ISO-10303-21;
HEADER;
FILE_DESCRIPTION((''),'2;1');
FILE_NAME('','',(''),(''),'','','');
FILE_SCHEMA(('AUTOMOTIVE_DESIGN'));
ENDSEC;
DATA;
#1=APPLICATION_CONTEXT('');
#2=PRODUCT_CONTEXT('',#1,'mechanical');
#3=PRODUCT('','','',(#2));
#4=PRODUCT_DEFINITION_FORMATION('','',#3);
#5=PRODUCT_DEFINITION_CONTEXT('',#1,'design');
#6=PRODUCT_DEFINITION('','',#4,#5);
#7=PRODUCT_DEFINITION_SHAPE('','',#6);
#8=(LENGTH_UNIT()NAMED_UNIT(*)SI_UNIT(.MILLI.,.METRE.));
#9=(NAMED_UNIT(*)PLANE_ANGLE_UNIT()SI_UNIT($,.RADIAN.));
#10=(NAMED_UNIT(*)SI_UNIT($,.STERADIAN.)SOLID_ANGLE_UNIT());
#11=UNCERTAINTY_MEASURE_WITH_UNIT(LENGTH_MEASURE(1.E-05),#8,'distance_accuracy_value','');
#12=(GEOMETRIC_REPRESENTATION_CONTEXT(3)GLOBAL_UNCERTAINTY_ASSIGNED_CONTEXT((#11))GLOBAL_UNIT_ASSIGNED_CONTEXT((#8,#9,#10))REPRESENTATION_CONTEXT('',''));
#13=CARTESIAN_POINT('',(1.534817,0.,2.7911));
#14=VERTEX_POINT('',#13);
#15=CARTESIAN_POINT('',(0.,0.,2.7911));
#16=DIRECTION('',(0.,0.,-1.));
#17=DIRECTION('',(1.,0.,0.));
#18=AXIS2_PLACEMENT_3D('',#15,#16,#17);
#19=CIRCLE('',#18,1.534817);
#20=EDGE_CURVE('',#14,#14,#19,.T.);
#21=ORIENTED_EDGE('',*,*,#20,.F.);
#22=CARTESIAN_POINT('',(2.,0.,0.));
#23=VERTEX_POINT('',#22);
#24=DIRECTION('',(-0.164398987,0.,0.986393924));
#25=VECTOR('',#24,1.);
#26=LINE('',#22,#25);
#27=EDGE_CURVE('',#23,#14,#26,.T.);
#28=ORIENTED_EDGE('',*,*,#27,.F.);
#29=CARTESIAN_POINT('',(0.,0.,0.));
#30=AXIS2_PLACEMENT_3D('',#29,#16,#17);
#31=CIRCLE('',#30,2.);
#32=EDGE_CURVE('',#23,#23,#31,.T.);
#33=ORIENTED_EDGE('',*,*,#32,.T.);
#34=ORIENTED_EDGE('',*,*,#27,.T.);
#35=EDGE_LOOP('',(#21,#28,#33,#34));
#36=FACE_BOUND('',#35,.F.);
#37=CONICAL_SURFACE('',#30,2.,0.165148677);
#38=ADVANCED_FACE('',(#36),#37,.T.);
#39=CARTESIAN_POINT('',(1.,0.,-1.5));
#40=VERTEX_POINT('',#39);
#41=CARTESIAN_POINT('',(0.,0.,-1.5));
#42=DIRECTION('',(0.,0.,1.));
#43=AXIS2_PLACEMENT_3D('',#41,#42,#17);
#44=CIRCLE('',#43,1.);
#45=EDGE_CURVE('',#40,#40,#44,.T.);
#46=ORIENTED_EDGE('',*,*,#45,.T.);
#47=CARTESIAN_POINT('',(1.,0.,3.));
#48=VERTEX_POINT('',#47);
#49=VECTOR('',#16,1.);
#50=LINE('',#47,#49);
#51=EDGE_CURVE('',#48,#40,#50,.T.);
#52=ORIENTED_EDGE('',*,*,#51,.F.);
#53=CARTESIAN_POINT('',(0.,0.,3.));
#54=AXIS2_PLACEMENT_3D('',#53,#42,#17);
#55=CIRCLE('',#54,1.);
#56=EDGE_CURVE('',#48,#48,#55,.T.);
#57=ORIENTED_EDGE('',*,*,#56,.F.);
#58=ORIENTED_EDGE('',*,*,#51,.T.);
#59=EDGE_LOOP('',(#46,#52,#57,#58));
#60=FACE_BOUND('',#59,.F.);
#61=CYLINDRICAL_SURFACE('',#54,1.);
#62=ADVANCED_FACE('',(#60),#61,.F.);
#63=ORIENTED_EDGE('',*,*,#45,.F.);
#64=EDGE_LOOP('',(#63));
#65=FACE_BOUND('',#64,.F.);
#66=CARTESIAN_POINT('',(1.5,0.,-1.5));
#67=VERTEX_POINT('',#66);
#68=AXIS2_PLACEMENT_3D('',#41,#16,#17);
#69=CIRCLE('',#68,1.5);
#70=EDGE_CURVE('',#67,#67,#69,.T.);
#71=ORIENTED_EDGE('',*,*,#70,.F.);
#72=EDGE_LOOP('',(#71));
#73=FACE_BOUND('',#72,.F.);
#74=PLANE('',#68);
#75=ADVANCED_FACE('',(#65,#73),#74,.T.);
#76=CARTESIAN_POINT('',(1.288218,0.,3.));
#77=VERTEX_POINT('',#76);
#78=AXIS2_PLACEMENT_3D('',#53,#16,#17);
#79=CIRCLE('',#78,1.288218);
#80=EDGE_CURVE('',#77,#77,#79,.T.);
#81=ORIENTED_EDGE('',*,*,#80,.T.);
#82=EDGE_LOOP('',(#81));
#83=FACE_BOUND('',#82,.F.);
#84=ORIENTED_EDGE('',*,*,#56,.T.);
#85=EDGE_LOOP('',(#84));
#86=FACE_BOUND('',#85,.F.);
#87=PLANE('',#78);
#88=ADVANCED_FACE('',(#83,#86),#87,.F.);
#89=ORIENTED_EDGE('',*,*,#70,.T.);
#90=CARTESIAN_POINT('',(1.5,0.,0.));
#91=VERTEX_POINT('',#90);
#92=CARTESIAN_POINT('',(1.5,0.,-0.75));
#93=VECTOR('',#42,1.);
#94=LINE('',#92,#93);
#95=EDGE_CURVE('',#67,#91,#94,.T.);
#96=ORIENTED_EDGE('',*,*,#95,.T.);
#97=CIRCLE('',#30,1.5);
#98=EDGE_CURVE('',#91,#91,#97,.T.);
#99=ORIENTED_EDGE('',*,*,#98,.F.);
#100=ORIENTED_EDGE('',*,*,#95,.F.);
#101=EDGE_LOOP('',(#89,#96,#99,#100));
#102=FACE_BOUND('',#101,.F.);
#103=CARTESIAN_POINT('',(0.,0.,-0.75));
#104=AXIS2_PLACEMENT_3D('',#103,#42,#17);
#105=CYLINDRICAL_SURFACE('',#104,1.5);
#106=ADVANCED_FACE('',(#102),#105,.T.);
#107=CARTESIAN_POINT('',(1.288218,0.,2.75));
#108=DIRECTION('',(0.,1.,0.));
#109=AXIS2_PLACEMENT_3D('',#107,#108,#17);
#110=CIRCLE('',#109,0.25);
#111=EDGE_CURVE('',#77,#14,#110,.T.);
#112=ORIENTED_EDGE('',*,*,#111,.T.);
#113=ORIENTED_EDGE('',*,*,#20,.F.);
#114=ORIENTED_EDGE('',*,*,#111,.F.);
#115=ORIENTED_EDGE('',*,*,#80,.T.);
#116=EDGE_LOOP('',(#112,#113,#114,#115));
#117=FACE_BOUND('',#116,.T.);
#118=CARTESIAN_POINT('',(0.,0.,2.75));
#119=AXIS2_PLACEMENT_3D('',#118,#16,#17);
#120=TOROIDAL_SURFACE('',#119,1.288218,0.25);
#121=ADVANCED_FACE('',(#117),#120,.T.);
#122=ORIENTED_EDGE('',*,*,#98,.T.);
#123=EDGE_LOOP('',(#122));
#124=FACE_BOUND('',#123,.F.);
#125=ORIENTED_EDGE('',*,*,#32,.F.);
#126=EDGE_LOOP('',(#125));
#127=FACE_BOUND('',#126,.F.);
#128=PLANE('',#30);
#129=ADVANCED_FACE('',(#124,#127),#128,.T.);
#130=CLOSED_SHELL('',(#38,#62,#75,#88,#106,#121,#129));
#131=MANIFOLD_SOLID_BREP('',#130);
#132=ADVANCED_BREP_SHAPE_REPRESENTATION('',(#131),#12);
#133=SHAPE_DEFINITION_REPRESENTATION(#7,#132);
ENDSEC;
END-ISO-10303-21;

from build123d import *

# Parameters (mm, degrees)
F0_W     = 1.5
F0_H     = 1.5
F2_R     = 1
F3_DEPTH = 25
F4_R     = 0.25


with BuildPart() as f1:
    # F0 (on Front) → F1 (revolve)
    with BuildSketch(Plane.XZ):
        Polygon((0, 3), (0, 0), (1.5, 0), (2, 0), (1.5, 3), align=None)
        with Locations((0.75, -0.75)):
            Rectangle(F0_W, F0_H)
    revolve(axis=Axis((0, 0, 1.5), (0, 0, -1)))

    # F2 (on face) → F3 (cut)
    with BuildSketch(Plane.XY.offset(3)):
        Circle(F2_R)
    extrude(amount=-F3_DEPTH, mode=Mode.SUBTRACT)

    # F4
    f4_edges = [f1.edges().sort_by_distance(p)[0] for p in [
        (-1.5, 0, 3),
    ]]
    fillet(f4_edges, radius=F4_R)


solid = f1.part
